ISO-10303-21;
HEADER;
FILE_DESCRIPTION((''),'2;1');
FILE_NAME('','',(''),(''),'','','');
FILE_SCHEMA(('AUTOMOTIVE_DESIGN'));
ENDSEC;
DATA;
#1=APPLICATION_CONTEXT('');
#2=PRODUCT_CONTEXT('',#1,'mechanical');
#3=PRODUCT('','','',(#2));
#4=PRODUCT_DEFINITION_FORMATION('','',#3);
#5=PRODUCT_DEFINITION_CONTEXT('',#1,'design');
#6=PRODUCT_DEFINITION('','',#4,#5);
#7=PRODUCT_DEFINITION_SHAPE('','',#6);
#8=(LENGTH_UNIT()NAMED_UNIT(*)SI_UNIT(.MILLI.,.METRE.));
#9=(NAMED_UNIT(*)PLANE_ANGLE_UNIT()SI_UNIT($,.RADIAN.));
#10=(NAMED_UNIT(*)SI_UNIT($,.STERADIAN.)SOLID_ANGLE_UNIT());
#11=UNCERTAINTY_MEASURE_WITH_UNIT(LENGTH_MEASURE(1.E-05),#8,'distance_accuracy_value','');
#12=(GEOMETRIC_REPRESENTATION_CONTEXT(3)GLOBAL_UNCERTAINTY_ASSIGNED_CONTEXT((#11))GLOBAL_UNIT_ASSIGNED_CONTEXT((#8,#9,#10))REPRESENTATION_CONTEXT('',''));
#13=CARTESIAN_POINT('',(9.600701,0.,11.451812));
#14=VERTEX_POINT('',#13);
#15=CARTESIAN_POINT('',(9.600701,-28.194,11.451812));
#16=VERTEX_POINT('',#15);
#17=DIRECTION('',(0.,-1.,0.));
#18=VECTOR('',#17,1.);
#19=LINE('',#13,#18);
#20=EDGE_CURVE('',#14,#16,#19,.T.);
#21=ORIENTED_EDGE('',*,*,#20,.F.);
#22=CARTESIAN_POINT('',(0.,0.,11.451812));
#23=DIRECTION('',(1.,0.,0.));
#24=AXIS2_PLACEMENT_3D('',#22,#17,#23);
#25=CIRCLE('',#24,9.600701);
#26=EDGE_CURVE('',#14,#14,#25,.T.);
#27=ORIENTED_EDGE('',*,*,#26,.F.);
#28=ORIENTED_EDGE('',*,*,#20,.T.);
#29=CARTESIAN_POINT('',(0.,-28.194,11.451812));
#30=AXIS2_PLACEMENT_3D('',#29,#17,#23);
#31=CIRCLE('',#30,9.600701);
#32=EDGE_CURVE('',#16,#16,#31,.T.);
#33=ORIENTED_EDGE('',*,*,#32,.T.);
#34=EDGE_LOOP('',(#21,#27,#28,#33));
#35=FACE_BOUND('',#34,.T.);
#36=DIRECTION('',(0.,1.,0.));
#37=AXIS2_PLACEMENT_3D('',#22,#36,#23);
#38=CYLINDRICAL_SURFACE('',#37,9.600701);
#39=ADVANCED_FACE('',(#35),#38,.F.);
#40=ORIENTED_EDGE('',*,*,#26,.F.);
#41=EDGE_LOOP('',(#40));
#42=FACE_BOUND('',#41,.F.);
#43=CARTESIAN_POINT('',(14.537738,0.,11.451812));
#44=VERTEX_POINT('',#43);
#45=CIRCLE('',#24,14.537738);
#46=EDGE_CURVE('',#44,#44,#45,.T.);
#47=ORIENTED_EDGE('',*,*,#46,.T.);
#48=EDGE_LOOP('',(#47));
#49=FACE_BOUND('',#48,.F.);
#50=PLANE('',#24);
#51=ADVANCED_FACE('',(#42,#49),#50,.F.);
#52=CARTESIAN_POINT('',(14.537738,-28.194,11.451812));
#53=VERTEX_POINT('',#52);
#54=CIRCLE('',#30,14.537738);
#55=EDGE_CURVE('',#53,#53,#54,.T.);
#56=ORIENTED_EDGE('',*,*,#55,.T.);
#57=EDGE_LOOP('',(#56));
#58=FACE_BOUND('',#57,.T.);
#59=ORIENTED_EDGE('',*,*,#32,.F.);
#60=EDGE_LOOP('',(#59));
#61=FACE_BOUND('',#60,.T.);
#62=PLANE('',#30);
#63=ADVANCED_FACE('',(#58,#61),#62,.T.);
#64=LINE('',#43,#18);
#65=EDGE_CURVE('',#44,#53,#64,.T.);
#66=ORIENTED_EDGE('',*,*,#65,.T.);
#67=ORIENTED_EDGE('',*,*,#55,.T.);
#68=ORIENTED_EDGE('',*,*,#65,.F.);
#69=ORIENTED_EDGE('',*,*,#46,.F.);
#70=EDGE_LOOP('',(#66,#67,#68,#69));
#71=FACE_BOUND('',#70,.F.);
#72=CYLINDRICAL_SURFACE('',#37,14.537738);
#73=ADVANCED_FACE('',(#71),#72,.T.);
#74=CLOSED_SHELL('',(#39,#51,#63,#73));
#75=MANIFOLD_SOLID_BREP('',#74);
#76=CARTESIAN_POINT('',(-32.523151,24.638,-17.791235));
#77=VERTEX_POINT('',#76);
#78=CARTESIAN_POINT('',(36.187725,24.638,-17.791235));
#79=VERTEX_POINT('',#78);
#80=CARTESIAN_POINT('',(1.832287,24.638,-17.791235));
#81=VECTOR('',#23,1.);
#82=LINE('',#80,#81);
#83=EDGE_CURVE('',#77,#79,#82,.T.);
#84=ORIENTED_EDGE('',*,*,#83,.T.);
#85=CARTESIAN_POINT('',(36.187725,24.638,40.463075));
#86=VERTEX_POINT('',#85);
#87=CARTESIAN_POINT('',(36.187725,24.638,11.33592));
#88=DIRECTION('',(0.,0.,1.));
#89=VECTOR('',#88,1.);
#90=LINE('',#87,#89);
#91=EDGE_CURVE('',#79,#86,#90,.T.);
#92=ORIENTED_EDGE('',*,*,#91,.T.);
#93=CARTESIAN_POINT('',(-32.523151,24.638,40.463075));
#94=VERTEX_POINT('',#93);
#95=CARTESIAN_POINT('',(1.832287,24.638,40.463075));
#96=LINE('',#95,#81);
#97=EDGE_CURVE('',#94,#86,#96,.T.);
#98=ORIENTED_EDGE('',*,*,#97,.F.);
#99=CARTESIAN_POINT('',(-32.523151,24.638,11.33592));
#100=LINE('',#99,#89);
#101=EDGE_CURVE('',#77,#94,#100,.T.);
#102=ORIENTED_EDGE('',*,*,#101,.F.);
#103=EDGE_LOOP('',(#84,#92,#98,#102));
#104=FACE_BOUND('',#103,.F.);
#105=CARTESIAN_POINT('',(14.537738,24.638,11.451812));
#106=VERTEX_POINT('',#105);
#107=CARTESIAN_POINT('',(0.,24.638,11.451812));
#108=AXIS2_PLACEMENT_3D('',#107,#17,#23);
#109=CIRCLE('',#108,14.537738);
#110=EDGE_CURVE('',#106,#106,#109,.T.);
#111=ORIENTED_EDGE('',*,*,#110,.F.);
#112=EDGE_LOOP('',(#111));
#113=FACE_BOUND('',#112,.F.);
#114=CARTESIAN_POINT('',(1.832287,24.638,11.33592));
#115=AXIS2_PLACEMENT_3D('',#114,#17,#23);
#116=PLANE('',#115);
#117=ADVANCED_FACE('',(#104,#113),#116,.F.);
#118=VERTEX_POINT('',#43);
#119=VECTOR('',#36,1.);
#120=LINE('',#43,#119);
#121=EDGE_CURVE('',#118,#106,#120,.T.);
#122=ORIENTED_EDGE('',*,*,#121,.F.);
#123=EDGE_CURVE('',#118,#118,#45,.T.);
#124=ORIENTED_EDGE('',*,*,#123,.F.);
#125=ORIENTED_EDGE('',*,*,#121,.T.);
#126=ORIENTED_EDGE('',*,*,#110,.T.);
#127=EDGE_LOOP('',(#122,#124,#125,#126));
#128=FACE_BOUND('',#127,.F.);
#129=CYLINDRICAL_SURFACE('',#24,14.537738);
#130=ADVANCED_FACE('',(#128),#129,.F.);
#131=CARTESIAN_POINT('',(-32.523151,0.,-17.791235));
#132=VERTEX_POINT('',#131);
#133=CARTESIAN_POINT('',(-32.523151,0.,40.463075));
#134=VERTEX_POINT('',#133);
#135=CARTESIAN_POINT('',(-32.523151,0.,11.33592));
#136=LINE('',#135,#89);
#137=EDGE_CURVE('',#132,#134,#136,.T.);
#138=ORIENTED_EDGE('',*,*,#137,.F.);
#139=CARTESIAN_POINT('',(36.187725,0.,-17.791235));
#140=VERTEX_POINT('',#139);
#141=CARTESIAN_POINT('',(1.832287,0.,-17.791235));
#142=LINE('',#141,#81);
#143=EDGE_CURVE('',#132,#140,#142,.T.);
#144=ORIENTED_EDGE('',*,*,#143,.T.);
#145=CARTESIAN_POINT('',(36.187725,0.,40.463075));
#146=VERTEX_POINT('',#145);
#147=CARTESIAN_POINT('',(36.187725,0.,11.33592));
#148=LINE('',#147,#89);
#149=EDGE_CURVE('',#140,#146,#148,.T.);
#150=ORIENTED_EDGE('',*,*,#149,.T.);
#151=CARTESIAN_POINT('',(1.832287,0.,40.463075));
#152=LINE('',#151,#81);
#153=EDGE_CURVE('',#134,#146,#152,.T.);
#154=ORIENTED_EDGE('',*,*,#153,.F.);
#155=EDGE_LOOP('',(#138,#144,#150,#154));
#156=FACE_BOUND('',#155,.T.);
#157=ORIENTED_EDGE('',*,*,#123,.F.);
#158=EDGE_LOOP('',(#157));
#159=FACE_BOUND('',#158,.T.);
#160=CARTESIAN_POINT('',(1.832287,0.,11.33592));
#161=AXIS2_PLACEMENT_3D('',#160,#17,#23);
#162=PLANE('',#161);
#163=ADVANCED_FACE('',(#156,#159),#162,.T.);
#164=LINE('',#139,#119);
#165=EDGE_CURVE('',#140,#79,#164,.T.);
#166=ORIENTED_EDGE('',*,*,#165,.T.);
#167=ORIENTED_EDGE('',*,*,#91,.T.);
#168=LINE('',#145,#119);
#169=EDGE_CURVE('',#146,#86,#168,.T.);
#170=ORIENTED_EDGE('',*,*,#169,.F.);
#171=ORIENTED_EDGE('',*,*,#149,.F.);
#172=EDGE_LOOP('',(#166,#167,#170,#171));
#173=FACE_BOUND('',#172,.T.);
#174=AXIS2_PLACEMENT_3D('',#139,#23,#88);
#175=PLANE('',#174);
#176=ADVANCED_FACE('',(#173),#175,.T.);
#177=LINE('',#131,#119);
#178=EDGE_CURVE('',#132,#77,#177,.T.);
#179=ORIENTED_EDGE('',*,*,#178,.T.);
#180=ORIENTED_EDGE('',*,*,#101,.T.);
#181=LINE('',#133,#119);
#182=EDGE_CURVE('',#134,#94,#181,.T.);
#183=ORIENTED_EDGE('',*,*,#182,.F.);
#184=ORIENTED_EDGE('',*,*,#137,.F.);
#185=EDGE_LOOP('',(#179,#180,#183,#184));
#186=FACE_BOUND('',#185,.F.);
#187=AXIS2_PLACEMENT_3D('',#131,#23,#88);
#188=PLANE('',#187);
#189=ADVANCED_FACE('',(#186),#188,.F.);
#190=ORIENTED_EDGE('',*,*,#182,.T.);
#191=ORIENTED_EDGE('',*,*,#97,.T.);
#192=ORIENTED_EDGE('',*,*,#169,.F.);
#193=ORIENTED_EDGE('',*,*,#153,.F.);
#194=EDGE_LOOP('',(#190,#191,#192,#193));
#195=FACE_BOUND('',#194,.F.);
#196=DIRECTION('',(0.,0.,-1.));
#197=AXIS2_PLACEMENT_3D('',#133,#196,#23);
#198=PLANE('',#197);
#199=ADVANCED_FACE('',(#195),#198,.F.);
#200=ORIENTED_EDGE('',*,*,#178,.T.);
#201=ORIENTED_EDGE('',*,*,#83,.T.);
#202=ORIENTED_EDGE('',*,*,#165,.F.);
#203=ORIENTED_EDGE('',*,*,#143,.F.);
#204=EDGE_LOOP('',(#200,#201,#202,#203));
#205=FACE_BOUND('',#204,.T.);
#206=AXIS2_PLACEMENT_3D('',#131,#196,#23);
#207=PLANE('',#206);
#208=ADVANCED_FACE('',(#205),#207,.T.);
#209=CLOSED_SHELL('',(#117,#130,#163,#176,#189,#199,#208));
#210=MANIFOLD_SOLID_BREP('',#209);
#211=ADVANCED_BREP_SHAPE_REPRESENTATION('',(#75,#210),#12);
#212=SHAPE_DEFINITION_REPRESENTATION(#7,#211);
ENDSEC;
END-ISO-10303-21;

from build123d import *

# Parameters (mm, degrees)
F1_W     = 68.710876
F1_H     = 58.25431
F1_R     = 14.537738
F2_DEPTH = 24.638
F1_R_2   = 9.600701
F3_DEPTH = 28.194


with BuildPart() as f2:
    # F1 (on face) → F2 (new body)
    with BuildSketch(Plane.XZ):
        with Locations((1.832287, 11.33592)):
            Rectangle(F1_W, F1_H)
        with Locations((0, 11.451812)):
            Circle(F1_R, mode=Mode.SUBTRACT)
    extrude(amount=-F2_DEPTH)


with BuildPart() as f3:
    # F1 (on face) → F3 (new body)
    with BuildSketch(Plane.XZ):
        with Locations((0, 11.451812)):
            Circle(F1_R)
        with Locations((0, 11.451812)):
            Circle(F1_R_2, mode=Mode.SUBTRACT)
    extrude(amount=F3_DEPTH)


solid = Compound([f2.part, f3.part])
